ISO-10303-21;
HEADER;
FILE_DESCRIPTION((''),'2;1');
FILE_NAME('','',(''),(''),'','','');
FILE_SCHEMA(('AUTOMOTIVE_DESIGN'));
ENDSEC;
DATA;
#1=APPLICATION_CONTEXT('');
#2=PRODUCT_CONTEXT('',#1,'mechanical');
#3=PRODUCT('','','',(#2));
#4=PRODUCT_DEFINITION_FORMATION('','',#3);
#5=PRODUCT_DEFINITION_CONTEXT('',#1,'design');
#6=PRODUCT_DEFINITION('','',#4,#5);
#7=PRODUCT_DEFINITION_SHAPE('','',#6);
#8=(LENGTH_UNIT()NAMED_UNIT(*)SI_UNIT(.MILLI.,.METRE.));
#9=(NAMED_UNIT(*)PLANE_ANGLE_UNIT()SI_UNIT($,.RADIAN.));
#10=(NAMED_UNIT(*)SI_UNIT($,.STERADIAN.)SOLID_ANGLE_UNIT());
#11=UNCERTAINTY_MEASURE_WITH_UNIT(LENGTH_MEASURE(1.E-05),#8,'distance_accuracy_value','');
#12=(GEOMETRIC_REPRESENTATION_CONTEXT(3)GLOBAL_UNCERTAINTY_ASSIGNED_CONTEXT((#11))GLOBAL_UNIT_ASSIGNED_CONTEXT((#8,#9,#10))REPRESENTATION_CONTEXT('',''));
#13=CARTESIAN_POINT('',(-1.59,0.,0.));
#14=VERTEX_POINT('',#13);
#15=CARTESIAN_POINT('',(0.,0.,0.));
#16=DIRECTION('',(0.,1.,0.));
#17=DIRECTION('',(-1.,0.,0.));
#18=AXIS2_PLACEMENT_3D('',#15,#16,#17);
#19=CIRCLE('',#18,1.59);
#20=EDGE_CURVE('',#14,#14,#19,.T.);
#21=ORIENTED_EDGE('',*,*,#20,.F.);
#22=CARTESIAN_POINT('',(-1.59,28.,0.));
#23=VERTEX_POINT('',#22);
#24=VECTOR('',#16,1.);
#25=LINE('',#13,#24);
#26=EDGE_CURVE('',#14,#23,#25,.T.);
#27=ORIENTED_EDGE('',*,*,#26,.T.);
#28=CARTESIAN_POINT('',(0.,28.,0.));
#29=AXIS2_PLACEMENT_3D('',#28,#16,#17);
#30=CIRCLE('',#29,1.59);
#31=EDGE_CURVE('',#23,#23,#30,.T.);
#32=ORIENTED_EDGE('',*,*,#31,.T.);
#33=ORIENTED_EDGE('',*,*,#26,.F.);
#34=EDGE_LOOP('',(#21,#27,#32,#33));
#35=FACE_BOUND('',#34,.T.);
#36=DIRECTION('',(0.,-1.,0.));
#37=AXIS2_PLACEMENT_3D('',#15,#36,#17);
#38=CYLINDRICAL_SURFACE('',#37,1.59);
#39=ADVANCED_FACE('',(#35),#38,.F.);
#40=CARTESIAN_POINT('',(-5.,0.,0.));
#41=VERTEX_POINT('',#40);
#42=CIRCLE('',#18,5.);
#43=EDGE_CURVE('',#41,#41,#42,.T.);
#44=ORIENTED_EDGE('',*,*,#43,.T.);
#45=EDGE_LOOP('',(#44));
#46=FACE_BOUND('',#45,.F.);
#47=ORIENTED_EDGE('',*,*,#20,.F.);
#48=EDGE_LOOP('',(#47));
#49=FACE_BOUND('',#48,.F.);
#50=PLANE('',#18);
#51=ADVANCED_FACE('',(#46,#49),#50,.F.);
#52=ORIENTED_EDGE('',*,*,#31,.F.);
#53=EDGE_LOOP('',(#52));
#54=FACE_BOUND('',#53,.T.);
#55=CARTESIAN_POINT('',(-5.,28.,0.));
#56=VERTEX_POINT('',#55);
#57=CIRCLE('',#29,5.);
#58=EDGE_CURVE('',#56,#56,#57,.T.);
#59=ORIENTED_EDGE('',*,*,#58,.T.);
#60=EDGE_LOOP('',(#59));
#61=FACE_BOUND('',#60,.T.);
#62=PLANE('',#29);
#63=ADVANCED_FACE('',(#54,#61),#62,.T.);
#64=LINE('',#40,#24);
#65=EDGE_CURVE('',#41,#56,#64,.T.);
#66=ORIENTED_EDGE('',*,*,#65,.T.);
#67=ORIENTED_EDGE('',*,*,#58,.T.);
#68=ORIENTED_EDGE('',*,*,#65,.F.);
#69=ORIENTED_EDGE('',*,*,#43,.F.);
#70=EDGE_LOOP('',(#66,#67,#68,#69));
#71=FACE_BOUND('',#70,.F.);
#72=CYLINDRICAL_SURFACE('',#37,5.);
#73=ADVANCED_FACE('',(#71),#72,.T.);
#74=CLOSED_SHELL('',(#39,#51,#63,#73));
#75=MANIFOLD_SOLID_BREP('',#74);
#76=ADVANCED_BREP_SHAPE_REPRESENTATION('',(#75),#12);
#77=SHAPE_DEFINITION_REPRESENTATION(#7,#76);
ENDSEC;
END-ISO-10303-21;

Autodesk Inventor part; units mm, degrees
ref_plane "YZ Plane" through (0, 0, 0) normal (1, 0, 0) x (0, 1, 0)
ref_plane "XZ Plane" through (0, 0, 0) normal (0, 1, 0) x (-1, 0, 0)
ref_plane "XY Plane" through (0, 0, 0) normal (0, 0, 1) x (1, 0, 0)
sketch "Sketch1" plane through (0, 0, 0) normal (0, 1, 0) x (-1, 0, 0)
  circle A0 centre (0, 0) radius 5
  circle A1 centre (0, 0) radius 1.59
  dimension "d0" = 10
  dimension "d1" = 3.18
extrude "Extrusion1" add sketch "Sketch1" along normal blind 28
thread "Thread1" size "M10x1.5" class "6g" standard "ANSI Metric M Profile" full length
properties part number "Extension"
